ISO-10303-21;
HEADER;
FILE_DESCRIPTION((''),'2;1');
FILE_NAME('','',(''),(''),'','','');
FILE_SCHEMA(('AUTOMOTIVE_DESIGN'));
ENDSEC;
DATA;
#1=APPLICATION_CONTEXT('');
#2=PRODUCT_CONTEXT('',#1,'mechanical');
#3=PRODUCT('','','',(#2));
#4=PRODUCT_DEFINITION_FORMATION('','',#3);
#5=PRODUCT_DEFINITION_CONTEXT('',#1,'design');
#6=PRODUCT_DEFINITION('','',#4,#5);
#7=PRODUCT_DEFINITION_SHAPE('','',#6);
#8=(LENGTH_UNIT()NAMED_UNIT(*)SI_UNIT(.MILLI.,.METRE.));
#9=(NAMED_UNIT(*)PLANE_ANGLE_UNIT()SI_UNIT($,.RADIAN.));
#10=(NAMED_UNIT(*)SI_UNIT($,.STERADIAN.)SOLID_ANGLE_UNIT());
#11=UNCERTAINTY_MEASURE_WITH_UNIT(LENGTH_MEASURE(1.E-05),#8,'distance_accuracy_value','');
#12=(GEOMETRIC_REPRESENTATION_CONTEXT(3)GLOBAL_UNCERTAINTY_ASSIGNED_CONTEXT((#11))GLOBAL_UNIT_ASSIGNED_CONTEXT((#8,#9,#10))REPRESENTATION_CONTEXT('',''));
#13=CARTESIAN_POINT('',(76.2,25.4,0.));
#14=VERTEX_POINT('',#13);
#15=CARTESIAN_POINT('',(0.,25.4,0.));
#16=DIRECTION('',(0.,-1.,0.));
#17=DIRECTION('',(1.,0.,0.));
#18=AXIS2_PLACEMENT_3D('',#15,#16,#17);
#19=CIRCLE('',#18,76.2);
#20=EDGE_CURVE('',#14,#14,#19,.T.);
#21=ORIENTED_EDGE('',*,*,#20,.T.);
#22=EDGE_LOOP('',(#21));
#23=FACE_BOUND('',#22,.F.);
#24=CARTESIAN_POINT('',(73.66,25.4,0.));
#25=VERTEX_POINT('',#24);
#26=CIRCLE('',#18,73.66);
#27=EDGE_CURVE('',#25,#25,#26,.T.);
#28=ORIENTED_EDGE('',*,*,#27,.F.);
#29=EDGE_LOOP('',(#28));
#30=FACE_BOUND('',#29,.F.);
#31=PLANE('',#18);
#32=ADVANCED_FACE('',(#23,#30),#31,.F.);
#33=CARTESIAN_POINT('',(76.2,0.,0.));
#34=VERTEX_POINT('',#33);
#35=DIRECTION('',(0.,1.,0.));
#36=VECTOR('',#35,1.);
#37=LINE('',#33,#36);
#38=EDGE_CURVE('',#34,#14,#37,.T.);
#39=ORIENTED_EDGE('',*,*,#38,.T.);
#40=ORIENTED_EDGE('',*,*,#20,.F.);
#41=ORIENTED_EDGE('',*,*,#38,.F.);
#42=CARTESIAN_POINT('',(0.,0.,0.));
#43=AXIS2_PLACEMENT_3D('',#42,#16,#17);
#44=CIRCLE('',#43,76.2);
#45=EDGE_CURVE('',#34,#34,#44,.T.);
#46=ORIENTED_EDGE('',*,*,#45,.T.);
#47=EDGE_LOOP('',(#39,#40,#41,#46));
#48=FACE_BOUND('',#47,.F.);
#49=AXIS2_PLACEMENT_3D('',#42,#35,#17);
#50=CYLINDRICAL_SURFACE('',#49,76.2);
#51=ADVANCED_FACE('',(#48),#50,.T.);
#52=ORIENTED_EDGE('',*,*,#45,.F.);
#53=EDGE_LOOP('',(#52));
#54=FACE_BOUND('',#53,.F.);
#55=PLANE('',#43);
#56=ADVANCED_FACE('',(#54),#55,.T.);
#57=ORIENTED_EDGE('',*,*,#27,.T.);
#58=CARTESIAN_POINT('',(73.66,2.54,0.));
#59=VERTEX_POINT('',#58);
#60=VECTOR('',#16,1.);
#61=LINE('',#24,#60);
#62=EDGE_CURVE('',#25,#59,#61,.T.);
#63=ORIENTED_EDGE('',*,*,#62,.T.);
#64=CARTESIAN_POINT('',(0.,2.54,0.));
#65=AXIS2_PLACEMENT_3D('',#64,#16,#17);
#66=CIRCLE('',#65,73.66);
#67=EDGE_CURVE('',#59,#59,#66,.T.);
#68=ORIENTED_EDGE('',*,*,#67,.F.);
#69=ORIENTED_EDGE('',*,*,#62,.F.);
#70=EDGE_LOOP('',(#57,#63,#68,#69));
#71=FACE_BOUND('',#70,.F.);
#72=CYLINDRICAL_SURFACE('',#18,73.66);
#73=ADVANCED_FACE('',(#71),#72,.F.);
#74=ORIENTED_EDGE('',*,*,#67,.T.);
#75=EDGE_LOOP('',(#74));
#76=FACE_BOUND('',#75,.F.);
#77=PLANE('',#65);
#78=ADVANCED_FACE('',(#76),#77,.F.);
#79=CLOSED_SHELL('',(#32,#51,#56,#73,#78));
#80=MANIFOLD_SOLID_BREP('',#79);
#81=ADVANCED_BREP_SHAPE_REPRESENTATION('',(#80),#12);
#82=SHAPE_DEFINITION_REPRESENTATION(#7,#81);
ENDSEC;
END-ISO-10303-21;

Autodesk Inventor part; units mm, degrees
ref_plane "YZ Plane" through (0, 0, 0) normal (1, 0, 0) x (0, 1, 0)
ref_plane "XZ Plane" through (0, 0, 0) normal (0, 1, 0) x (-1, 0, 0)
ref_plane "XY Plane" through (0, 0, 0) normal (0, 0, 1) x (1, 0, 0)
sketch "Sketch3" plane through (0, 0, 0) normal (0, 0, 1) x (1, 0, 0)
  line L0 (0, 0) -> (76.2, 0)
  line L1 (76.2, 0) -> (76.2, 25.4)
  line L2 (76.2, 25.4) -> (73.66, 25.4)
  line L3 (73.66, 25.4) -> (73.66, 2.54)
  line L4 (73.66, 2.54) -> (0, 2.54)
  line L5 (0, 2.54) -> (0, 0)
  dimension "outerDiameter" = 76.2
  dimension "height" = 25.4
  dimension "d5" = 2.54
revolve "Revolution1" add sketch "Sketch3" angle 360 about axis through (0, 2.54, 0) along (0, -1, 0)
properties part number "filterBase"
